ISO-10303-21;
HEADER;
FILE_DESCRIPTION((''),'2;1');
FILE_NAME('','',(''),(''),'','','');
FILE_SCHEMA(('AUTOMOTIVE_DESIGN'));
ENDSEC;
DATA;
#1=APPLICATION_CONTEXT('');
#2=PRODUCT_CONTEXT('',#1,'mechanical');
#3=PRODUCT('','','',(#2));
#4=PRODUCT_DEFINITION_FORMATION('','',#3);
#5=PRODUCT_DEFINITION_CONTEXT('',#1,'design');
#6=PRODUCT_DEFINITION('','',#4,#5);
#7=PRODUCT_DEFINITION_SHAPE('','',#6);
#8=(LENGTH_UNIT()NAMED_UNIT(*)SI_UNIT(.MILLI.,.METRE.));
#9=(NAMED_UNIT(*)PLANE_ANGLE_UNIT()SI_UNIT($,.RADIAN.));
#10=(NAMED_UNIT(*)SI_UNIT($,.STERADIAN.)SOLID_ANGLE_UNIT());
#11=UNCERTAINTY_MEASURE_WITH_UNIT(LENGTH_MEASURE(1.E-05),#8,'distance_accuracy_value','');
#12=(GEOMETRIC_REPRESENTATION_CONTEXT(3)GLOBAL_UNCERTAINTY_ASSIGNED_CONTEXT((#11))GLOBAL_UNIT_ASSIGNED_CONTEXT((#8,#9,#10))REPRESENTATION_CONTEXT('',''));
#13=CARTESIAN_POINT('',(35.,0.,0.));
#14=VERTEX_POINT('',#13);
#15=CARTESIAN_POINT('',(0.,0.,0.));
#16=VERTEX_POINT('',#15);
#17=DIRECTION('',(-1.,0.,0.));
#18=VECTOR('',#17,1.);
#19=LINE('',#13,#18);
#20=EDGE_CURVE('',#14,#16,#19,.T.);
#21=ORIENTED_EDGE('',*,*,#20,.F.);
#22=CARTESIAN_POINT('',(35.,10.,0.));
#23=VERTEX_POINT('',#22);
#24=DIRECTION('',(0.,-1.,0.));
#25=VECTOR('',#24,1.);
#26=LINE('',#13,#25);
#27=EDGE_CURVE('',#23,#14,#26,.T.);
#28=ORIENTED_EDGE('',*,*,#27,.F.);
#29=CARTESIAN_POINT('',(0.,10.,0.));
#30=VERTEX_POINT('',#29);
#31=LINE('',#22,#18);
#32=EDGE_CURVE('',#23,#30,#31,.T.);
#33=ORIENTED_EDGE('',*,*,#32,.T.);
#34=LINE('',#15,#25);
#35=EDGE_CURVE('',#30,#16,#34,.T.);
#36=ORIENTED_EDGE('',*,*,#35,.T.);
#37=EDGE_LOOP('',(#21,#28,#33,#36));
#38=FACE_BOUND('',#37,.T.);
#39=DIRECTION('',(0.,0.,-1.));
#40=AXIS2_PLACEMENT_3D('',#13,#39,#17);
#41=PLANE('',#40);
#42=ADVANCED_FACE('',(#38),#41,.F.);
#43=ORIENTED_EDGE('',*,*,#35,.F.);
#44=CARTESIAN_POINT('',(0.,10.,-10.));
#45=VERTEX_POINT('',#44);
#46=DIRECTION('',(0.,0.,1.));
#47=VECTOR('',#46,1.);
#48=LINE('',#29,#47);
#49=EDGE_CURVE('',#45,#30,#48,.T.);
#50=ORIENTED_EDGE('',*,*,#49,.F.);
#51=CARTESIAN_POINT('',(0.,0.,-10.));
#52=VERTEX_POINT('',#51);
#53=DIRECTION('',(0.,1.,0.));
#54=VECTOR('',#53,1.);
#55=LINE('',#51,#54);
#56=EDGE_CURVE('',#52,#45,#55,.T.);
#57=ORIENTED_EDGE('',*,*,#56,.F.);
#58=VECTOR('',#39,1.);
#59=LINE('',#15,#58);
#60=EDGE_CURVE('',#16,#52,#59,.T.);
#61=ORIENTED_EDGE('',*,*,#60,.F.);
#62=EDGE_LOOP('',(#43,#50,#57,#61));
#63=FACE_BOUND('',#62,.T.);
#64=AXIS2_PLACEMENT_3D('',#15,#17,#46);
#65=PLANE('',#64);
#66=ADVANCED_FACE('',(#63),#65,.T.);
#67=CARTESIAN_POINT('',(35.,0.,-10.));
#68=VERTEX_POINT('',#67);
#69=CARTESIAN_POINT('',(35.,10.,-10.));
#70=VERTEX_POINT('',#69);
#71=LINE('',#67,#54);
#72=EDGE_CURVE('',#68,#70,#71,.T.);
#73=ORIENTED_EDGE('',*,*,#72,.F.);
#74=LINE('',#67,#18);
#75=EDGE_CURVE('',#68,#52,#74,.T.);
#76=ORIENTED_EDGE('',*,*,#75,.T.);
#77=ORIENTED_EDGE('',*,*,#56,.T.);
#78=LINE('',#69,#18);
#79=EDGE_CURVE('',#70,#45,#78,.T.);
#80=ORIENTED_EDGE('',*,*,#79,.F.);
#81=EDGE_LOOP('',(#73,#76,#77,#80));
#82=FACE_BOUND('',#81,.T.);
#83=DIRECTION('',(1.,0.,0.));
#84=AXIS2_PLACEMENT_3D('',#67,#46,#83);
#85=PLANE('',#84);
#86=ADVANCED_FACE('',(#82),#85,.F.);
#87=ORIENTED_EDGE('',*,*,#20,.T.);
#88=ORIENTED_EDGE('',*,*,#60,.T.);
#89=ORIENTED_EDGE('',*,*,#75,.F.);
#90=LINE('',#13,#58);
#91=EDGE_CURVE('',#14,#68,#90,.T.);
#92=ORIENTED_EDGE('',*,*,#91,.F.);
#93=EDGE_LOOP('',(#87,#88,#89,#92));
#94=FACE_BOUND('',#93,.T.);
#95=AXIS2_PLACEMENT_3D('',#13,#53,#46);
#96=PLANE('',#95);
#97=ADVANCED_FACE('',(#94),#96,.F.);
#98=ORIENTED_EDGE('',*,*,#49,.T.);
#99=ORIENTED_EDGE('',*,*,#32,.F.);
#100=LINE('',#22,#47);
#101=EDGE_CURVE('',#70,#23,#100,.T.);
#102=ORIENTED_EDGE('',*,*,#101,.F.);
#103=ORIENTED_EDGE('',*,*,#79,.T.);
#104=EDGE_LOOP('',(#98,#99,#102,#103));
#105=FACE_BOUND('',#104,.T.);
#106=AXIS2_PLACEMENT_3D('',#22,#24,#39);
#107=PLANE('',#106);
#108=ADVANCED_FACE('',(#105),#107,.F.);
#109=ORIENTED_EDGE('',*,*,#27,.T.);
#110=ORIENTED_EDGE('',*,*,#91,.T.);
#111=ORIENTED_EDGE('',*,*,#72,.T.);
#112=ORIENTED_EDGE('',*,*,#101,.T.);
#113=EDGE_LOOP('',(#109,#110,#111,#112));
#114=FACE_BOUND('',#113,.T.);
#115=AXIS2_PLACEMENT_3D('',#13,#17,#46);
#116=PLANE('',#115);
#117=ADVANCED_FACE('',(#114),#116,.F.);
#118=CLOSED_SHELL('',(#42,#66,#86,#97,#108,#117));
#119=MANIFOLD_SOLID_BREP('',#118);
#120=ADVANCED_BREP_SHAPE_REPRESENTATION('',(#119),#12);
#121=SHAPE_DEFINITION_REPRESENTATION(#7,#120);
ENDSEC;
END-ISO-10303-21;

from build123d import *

# Parameters (mm, degrees)
SKETCH_1_W      = 10
SKETCH_1_H      = 10
EXTRUDE_1_DEPTH = 35


with BuildPart() as part:
    # Эскиз1 → Бобышка-Вытянуть1 (new body)
    with BuildSketch(Plane(origin=(0, 0, 0), x_dir=(0, 0, -1), z_dir=(1, 0, 0))):
        with Locations((5, 5)):
            Rectangle(SKETCH_1_W, SKETCH_1_H)
    extrude(amount=EXTRUDE_1_DEPTH)


solid = part.part
